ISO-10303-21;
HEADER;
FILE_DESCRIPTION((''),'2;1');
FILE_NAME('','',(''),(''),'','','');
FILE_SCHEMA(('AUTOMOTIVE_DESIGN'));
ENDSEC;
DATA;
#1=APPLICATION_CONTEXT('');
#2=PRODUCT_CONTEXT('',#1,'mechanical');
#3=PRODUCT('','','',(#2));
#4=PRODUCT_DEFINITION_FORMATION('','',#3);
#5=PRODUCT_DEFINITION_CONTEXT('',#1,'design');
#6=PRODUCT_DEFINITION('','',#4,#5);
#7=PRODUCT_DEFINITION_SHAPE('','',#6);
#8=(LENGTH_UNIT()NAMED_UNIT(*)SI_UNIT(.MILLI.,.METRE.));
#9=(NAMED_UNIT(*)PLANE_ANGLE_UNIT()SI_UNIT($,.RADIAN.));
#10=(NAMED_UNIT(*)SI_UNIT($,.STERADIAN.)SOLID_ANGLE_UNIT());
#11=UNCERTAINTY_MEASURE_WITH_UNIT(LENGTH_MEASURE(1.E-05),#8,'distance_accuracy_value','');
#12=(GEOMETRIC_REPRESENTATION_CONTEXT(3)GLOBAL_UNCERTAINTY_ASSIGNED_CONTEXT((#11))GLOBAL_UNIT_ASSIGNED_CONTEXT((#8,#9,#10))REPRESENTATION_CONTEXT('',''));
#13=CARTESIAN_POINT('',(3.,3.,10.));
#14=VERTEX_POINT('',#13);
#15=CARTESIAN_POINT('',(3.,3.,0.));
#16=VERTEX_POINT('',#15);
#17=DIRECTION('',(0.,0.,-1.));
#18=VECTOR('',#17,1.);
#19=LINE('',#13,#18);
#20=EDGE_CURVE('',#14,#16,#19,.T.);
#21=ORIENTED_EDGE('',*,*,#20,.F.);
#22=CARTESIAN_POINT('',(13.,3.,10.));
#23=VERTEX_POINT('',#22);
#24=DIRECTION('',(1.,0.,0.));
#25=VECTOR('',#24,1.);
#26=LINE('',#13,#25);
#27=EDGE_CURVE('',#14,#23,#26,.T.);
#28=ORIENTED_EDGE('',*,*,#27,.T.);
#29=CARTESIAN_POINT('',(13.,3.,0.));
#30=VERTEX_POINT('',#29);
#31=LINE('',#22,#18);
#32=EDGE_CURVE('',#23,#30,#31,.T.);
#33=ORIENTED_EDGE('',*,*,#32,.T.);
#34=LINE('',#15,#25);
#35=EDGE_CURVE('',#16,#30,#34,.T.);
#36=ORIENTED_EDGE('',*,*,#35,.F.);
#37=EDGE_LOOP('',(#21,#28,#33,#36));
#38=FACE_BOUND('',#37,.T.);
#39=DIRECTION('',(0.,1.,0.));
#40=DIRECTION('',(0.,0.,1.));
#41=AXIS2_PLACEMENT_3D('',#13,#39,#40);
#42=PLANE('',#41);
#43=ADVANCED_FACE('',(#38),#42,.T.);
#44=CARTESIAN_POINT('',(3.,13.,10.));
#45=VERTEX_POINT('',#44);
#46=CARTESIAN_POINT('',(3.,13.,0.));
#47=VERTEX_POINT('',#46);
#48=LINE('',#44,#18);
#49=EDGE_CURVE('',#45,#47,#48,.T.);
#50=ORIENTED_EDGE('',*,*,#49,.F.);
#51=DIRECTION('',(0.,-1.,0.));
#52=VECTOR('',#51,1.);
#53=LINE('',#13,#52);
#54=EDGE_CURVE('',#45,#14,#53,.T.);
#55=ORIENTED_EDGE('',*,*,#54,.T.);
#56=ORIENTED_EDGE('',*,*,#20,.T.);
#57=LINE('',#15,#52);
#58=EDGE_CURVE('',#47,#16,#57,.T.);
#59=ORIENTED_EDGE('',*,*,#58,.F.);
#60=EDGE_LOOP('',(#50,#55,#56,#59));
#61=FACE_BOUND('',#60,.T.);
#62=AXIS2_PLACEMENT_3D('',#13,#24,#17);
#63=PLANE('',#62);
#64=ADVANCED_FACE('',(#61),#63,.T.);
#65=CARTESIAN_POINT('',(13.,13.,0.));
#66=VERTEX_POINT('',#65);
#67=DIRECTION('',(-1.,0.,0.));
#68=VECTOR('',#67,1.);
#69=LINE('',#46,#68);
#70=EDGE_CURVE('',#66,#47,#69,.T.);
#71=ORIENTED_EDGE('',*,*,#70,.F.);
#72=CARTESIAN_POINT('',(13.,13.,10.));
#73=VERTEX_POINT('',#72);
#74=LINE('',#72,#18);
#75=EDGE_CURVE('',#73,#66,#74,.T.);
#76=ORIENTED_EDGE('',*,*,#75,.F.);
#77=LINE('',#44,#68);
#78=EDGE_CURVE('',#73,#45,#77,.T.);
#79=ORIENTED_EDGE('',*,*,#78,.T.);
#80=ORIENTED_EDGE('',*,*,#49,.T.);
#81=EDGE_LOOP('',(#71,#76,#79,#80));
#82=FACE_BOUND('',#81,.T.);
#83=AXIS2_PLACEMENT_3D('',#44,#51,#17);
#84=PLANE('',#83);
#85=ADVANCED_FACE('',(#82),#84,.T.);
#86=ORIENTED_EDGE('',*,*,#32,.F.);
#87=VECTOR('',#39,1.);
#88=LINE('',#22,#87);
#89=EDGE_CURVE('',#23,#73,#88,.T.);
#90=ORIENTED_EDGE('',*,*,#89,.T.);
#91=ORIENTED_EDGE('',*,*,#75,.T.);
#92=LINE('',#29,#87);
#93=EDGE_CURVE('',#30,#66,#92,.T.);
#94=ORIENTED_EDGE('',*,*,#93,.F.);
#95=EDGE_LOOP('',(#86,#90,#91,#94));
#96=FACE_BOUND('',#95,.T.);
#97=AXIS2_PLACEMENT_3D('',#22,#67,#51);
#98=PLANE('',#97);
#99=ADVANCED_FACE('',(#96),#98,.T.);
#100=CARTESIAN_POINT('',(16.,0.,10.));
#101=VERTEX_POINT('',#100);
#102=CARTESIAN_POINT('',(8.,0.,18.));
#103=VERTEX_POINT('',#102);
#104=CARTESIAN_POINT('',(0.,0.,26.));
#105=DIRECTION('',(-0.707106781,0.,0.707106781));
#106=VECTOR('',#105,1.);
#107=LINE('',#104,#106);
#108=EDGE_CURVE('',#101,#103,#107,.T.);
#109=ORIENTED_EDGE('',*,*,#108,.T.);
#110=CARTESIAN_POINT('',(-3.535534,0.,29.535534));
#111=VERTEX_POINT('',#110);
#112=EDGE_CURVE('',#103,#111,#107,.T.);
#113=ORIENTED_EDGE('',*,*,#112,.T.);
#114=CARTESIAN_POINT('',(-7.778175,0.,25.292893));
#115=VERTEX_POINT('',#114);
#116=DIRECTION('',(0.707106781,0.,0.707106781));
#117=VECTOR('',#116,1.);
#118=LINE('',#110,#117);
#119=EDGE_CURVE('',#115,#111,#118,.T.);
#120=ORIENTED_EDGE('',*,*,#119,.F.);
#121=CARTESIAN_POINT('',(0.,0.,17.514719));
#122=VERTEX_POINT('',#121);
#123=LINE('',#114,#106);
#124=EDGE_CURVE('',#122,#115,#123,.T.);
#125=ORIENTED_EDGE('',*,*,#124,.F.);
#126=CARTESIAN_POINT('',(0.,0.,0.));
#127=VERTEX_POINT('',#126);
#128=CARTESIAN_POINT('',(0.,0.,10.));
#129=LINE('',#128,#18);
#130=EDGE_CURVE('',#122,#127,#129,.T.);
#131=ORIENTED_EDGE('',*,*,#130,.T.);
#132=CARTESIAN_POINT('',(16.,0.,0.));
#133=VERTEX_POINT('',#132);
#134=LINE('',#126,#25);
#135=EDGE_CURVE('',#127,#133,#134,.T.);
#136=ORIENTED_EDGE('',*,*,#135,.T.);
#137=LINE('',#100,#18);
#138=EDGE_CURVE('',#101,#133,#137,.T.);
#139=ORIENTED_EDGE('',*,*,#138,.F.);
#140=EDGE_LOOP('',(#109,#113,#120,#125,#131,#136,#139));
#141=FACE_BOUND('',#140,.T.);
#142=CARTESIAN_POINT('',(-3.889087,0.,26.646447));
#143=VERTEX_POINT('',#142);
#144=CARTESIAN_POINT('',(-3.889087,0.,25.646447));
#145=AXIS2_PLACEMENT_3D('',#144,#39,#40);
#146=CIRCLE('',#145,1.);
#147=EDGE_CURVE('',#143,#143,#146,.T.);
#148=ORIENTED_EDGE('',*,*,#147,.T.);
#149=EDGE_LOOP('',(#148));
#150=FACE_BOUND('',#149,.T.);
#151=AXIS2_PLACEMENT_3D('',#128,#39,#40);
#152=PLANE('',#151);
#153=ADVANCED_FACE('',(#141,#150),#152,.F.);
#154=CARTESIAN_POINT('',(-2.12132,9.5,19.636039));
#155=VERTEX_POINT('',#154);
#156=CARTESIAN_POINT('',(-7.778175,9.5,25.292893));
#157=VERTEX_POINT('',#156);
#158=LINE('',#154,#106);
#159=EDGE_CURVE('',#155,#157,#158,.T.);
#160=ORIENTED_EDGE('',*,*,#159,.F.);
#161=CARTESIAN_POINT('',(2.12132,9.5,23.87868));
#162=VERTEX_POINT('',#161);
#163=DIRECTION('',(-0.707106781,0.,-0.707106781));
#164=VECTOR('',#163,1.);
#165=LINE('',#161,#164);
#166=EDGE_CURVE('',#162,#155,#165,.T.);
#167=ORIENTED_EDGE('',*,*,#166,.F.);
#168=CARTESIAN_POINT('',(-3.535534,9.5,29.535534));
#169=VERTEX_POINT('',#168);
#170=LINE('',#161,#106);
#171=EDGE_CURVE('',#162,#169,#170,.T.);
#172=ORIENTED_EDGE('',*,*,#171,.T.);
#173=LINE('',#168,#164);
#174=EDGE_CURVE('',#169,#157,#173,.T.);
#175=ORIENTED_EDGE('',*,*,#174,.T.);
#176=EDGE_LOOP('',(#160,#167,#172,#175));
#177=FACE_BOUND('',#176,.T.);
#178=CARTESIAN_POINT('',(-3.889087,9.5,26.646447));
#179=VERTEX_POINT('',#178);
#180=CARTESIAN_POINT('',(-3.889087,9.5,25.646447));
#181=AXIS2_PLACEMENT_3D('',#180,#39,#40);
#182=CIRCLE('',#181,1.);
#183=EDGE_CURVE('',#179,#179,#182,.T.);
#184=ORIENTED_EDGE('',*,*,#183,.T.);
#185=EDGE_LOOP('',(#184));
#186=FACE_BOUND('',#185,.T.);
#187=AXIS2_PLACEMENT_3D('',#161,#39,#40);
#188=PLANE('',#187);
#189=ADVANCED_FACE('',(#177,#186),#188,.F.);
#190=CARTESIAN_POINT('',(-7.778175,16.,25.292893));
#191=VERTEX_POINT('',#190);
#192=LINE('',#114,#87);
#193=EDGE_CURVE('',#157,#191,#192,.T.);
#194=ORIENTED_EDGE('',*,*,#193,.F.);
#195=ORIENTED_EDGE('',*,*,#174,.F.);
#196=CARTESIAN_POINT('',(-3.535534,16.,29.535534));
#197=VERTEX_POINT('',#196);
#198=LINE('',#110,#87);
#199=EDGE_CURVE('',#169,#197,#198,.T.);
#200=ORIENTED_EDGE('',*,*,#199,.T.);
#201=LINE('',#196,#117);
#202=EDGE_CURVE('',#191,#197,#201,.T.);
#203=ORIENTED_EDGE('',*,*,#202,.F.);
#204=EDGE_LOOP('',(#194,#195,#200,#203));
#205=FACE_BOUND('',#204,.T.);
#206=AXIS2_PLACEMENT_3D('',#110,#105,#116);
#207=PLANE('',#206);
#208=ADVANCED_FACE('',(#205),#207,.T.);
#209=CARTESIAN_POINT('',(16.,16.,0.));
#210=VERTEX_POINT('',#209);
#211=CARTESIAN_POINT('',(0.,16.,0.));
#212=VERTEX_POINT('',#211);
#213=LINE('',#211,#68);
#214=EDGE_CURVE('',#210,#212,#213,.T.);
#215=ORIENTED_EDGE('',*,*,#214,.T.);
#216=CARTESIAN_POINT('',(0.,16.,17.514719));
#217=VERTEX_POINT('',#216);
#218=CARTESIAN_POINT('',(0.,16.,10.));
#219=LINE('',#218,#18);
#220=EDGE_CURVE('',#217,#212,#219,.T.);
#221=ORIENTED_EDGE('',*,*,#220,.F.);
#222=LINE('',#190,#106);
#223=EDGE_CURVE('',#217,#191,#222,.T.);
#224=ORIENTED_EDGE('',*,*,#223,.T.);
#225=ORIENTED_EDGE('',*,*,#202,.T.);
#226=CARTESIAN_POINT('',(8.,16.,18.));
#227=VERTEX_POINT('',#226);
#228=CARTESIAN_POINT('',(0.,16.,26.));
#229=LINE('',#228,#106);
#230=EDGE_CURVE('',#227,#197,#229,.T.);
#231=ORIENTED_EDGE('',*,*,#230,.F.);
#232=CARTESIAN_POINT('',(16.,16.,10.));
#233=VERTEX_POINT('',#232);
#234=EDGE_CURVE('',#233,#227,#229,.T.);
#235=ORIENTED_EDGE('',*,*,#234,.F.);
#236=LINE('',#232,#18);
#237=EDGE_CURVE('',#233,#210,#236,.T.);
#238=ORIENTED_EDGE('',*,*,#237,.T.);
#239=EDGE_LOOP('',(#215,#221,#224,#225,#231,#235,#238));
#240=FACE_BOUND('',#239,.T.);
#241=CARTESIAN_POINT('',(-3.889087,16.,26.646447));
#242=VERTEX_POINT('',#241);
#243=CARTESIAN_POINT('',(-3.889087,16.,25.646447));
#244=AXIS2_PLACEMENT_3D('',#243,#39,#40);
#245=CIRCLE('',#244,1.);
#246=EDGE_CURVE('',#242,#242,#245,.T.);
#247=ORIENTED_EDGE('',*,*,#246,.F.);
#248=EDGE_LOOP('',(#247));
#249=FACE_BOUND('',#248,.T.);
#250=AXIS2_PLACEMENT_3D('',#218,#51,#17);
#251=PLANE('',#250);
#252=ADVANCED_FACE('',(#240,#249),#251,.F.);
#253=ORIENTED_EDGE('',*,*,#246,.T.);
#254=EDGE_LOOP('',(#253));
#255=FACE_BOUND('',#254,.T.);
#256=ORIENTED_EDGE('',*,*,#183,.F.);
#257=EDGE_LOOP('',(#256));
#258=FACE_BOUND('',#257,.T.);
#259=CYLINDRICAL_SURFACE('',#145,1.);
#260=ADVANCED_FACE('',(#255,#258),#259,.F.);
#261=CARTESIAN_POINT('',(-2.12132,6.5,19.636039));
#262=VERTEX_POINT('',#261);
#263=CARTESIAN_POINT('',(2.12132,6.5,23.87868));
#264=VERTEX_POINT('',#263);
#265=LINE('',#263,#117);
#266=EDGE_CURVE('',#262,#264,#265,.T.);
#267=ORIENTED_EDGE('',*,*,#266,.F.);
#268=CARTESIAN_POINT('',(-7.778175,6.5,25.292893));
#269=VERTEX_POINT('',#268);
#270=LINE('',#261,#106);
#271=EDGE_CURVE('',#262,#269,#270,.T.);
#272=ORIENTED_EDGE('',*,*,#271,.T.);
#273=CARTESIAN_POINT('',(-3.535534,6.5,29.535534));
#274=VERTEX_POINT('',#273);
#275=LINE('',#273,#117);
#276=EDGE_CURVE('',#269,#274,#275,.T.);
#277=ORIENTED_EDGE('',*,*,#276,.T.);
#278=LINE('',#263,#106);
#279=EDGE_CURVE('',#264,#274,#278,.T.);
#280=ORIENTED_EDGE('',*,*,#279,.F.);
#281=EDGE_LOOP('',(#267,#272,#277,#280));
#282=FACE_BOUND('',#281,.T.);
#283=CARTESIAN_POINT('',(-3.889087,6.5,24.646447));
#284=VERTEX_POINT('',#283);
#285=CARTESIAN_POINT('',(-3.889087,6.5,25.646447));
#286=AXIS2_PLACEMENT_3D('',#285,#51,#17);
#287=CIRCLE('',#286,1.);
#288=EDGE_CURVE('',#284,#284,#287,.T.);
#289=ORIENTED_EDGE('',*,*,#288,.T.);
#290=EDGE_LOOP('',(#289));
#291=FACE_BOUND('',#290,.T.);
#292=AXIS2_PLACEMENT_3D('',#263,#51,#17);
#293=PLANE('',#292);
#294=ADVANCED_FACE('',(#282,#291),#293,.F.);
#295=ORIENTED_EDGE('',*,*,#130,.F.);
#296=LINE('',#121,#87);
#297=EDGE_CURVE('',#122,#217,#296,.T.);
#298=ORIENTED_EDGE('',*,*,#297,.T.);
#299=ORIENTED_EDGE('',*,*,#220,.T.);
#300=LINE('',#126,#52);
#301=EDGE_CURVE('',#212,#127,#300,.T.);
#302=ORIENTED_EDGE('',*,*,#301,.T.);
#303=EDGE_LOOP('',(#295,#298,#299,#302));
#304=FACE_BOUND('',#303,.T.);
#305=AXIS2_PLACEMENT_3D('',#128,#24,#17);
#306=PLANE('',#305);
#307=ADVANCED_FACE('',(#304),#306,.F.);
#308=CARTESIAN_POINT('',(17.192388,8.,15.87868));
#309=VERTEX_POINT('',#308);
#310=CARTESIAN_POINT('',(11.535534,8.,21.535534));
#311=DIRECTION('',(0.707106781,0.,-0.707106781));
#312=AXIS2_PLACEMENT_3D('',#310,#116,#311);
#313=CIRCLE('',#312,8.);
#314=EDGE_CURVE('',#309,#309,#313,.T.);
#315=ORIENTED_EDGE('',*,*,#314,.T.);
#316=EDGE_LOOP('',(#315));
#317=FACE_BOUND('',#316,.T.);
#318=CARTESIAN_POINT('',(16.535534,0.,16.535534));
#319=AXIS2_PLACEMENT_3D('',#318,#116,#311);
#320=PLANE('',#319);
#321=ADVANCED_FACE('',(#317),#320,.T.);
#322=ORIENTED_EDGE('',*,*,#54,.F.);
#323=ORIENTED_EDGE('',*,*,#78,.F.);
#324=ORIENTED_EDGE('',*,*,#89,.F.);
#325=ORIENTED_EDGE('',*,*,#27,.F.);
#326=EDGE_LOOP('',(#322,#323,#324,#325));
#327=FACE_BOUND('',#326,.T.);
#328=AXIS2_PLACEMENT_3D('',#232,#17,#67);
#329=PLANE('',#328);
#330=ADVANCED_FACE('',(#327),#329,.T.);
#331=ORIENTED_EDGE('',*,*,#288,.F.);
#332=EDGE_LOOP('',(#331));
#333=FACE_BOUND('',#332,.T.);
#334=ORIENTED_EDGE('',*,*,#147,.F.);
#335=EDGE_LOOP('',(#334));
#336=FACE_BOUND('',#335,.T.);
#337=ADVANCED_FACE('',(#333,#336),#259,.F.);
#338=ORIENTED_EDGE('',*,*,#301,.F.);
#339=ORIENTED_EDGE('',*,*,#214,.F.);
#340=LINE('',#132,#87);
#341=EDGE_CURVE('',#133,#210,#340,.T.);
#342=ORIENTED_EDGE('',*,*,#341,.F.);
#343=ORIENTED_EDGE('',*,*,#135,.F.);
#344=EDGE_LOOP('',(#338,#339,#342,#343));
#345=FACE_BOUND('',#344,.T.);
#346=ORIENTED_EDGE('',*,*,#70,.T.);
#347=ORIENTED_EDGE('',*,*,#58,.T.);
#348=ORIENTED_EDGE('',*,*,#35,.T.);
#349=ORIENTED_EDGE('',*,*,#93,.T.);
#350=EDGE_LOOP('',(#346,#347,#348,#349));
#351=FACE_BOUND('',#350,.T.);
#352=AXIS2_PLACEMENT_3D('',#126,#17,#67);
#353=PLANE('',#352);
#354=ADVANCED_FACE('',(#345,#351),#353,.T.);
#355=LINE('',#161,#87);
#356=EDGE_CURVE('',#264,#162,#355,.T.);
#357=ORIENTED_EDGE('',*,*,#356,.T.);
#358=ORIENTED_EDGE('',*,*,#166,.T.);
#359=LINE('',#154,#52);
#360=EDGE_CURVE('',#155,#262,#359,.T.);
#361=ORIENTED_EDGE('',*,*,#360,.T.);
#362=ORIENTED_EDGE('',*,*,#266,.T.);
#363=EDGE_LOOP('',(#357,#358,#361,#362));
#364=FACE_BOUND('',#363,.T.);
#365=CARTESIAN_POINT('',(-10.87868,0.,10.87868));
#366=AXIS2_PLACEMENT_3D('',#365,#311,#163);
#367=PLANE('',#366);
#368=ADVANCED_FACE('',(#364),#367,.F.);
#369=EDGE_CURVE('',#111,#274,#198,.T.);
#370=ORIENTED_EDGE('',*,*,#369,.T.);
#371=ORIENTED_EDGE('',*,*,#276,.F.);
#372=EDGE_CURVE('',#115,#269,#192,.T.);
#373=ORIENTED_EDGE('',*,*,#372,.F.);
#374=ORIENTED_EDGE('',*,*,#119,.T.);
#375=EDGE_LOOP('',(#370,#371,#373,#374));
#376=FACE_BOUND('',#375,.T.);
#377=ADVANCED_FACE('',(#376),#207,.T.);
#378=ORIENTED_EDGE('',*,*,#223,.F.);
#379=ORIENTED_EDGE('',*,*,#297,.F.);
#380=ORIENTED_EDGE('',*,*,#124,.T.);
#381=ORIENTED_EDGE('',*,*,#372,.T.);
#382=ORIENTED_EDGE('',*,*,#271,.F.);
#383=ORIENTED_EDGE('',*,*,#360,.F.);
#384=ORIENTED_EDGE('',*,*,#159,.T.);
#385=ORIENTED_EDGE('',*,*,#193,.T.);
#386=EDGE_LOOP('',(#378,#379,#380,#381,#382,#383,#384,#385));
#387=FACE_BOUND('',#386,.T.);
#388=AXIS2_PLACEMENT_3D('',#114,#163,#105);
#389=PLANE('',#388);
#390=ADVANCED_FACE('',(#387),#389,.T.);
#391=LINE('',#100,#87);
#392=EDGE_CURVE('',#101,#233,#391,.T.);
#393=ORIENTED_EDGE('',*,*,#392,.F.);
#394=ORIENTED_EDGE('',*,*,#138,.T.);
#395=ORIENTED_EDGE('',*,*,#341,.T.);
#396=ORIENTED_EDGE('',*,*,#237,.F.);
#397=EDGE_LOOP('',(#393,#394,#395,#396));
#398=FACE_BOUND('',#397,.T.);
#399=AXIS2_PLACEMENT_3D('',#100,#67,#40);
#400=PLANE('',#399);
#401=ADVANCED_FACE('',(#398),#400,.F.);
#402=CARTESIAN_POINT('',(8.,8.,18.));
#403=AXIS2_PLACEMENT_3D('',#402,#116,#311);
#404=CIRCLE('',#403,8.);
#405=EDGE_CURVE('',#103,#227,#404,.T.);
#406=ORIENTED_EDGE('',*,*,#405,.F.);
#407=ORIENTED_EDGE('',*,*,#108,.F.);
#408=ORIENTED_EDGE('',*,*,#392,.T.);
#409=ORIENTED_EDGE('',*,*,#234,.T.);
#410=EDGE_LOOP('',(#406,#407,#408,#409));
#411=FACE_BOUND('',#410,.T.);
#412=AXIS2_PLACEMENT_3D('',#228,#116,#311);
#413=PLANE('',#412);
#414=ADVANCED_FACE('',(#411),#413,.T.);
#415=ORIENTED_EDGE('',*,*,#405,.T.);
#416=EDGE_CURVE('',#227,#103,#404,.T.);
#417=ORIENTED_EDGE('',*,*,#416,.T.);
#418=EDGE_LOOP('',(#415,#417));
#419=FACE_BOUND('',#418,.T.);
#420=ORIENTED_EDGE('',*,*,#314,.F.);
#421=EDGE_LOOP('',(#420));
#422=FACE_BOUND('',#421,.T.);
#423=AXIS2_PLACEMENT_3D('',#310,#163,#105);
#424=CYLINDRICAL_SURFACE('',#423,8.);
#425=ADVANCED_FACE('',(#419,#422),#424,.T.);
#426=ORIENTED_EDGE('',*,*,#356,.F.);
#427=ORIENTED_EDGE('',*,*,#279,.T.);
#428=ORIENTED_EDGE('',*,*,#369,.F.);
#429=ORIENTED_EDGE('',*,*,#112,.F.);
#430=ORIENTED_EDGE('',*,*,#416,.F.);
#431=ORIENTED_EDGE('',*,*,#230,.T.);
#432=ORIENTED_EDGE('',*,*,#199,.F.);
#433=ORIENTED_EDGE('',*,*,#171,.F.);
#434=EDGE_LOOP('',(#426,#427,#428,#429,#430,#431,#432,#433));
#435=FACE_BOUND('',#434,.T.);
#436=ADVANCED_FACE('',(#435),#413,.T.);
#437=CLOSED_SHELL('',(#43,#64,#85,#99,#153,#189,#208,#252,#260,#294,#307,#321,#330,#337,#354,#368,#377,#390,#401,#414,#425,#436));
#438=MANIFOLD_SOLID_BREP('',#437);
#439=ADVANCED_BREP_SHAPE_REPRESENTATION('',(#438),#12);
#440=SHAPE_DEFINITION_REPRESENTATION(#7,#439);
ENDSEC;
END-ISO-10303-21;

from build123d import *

# Parameters (mm, degrees)
SKETCH_1_W          = 16
SKETCH_1_H          = 16
SKETCH_1_W_2        = 10
SKETCH_1_H_2        = 10
EXTRUDE_1_DEPTH     = 10
EXTRUDE_2_DEPTH     = 16
EXTRUDE_3_DEPTH     = 5
EXTRUDE_5_DEPTH     = 16
SKETCH_12_W         = 6
SKETCH_12_H         = 3
CUT_EXTRUDE_2_DEPTH = 8
CUT_EXTRUDE_3_DEPTH = 16


with BuildPart() as part:
    # 草图1 → 凸台-拉伸1 (new body)
    with BuildSketch(Plane.XY):
        with Locations((8, 8)):
            Rectangle(SKETCH_1_W, SKETCH_1_H)
        with Locations((8, 8)):
            Rectangle(SKETCH_1_W_2, SKETCH_1_H_2, mode=Mode.SUBTRACT)
    extrude(amount=EXTRUDE_1_DEPTH)

    # 草图2 → 凸台-拉伸2 (add)
    with BuildSketch(Plane.XZ):
        Polygon((0, 10), (0, 26), (16, 10), align=None)
    extrude(amount=-EXTRUDE_2_DEPTH)

    # 草图6 → 凸台-拉伸3 (add)
    with BuildSketch(Plane(origin=(13, 0, 13), x_dir=(0.7071067811865475, 0, -0.7071067811865477), z_dir=(0.7071067811865477, 0, 0.7071067811865475))):
        with BuildLine():
            ThreePointArc((-7.071067812, 16), (-15.071067812, 8), (-7.071067812, 0))
            Line((-7.071067812, 0), (-7.071067812, 16))
        make_face()
        with BuildLine():
            Line((-7.071067812, 16), (-7.071067812, 0))
            ThreePointArc((-7.071067812, 0), (-1.414213562, 2.343145751), (0.928932188, 8))
            ThreePointArc((0.928932188, 8), (-1.414213562, 13.656854249), (-7.071067812, 16))
        make_face()
    extrude(amount=EXTRUDE_3_DEPTH)

    # 草图10 → 凸台-拉伸5 (add)
    with BuildSketch(Plane(origin=(0, 16, 0), x_dir=(1, 0, 0), z_dir=(0, 1, 0))):
        Polygon((0, -26), (-3.535533906, -29.535533906), (-7.778174593, -25.292893219), (0, -17.514718626), align=None)
    extrude(amount=-EXTRUDE_5_DEPTH)

    # 草图12 → 切除-拉伸2 (cut)
    with BuildSketch(Plane(origin=(-16.535533906, 0, 16.535533906), x_dir=(0.7071067811865475, 0, 0.7071067811865477), z_dir=(-0.7071067811865477, 0, 0.7071067811865475))):
        with Locations((15.384776311, 8)):
            Rectangle(SKETCH_12_W, SKETCH_12_H)
    extrude(amount=-CUT_EXTRUDE_2_DEPTH, mode=Mode.SUBTRACT)

    # 草图13 → 切除-拉伸3 (cut)
    with BuildSketch(Plane(origin=(0, 16, 0), x_dir=(1, 0, 0), z_dir=(0, 1, 0))):
        with BuildLine():
            ThreePointArc((-4.596194078, -24.939339828), (-4.596194078, -26.353553391), (-3.181980515, -26.353553391))
            Line((-3.181980515, -26.353553391), (-4.596194078, -24.939339828))
        make_face()
        with BuildLine():
            Line((-4.596194078, -24.939339828), (-3.181980515, -26.353553391))
            ThreePointArc((-3.181980515, -26.353553391), (-2.965207764, -26.029130042), (-2.889087297, -25.646446609))
            ThreePointArc((-2.889087297, -25.646446609), (-3.506403864, -24.722567077), (-4.596194078, -24.939339828))
        make_face()
    extrude(amount=-CUT_EXTRUDE_3_DEPTH, mode=Mode.SUBTRACT)


solid = part.part
